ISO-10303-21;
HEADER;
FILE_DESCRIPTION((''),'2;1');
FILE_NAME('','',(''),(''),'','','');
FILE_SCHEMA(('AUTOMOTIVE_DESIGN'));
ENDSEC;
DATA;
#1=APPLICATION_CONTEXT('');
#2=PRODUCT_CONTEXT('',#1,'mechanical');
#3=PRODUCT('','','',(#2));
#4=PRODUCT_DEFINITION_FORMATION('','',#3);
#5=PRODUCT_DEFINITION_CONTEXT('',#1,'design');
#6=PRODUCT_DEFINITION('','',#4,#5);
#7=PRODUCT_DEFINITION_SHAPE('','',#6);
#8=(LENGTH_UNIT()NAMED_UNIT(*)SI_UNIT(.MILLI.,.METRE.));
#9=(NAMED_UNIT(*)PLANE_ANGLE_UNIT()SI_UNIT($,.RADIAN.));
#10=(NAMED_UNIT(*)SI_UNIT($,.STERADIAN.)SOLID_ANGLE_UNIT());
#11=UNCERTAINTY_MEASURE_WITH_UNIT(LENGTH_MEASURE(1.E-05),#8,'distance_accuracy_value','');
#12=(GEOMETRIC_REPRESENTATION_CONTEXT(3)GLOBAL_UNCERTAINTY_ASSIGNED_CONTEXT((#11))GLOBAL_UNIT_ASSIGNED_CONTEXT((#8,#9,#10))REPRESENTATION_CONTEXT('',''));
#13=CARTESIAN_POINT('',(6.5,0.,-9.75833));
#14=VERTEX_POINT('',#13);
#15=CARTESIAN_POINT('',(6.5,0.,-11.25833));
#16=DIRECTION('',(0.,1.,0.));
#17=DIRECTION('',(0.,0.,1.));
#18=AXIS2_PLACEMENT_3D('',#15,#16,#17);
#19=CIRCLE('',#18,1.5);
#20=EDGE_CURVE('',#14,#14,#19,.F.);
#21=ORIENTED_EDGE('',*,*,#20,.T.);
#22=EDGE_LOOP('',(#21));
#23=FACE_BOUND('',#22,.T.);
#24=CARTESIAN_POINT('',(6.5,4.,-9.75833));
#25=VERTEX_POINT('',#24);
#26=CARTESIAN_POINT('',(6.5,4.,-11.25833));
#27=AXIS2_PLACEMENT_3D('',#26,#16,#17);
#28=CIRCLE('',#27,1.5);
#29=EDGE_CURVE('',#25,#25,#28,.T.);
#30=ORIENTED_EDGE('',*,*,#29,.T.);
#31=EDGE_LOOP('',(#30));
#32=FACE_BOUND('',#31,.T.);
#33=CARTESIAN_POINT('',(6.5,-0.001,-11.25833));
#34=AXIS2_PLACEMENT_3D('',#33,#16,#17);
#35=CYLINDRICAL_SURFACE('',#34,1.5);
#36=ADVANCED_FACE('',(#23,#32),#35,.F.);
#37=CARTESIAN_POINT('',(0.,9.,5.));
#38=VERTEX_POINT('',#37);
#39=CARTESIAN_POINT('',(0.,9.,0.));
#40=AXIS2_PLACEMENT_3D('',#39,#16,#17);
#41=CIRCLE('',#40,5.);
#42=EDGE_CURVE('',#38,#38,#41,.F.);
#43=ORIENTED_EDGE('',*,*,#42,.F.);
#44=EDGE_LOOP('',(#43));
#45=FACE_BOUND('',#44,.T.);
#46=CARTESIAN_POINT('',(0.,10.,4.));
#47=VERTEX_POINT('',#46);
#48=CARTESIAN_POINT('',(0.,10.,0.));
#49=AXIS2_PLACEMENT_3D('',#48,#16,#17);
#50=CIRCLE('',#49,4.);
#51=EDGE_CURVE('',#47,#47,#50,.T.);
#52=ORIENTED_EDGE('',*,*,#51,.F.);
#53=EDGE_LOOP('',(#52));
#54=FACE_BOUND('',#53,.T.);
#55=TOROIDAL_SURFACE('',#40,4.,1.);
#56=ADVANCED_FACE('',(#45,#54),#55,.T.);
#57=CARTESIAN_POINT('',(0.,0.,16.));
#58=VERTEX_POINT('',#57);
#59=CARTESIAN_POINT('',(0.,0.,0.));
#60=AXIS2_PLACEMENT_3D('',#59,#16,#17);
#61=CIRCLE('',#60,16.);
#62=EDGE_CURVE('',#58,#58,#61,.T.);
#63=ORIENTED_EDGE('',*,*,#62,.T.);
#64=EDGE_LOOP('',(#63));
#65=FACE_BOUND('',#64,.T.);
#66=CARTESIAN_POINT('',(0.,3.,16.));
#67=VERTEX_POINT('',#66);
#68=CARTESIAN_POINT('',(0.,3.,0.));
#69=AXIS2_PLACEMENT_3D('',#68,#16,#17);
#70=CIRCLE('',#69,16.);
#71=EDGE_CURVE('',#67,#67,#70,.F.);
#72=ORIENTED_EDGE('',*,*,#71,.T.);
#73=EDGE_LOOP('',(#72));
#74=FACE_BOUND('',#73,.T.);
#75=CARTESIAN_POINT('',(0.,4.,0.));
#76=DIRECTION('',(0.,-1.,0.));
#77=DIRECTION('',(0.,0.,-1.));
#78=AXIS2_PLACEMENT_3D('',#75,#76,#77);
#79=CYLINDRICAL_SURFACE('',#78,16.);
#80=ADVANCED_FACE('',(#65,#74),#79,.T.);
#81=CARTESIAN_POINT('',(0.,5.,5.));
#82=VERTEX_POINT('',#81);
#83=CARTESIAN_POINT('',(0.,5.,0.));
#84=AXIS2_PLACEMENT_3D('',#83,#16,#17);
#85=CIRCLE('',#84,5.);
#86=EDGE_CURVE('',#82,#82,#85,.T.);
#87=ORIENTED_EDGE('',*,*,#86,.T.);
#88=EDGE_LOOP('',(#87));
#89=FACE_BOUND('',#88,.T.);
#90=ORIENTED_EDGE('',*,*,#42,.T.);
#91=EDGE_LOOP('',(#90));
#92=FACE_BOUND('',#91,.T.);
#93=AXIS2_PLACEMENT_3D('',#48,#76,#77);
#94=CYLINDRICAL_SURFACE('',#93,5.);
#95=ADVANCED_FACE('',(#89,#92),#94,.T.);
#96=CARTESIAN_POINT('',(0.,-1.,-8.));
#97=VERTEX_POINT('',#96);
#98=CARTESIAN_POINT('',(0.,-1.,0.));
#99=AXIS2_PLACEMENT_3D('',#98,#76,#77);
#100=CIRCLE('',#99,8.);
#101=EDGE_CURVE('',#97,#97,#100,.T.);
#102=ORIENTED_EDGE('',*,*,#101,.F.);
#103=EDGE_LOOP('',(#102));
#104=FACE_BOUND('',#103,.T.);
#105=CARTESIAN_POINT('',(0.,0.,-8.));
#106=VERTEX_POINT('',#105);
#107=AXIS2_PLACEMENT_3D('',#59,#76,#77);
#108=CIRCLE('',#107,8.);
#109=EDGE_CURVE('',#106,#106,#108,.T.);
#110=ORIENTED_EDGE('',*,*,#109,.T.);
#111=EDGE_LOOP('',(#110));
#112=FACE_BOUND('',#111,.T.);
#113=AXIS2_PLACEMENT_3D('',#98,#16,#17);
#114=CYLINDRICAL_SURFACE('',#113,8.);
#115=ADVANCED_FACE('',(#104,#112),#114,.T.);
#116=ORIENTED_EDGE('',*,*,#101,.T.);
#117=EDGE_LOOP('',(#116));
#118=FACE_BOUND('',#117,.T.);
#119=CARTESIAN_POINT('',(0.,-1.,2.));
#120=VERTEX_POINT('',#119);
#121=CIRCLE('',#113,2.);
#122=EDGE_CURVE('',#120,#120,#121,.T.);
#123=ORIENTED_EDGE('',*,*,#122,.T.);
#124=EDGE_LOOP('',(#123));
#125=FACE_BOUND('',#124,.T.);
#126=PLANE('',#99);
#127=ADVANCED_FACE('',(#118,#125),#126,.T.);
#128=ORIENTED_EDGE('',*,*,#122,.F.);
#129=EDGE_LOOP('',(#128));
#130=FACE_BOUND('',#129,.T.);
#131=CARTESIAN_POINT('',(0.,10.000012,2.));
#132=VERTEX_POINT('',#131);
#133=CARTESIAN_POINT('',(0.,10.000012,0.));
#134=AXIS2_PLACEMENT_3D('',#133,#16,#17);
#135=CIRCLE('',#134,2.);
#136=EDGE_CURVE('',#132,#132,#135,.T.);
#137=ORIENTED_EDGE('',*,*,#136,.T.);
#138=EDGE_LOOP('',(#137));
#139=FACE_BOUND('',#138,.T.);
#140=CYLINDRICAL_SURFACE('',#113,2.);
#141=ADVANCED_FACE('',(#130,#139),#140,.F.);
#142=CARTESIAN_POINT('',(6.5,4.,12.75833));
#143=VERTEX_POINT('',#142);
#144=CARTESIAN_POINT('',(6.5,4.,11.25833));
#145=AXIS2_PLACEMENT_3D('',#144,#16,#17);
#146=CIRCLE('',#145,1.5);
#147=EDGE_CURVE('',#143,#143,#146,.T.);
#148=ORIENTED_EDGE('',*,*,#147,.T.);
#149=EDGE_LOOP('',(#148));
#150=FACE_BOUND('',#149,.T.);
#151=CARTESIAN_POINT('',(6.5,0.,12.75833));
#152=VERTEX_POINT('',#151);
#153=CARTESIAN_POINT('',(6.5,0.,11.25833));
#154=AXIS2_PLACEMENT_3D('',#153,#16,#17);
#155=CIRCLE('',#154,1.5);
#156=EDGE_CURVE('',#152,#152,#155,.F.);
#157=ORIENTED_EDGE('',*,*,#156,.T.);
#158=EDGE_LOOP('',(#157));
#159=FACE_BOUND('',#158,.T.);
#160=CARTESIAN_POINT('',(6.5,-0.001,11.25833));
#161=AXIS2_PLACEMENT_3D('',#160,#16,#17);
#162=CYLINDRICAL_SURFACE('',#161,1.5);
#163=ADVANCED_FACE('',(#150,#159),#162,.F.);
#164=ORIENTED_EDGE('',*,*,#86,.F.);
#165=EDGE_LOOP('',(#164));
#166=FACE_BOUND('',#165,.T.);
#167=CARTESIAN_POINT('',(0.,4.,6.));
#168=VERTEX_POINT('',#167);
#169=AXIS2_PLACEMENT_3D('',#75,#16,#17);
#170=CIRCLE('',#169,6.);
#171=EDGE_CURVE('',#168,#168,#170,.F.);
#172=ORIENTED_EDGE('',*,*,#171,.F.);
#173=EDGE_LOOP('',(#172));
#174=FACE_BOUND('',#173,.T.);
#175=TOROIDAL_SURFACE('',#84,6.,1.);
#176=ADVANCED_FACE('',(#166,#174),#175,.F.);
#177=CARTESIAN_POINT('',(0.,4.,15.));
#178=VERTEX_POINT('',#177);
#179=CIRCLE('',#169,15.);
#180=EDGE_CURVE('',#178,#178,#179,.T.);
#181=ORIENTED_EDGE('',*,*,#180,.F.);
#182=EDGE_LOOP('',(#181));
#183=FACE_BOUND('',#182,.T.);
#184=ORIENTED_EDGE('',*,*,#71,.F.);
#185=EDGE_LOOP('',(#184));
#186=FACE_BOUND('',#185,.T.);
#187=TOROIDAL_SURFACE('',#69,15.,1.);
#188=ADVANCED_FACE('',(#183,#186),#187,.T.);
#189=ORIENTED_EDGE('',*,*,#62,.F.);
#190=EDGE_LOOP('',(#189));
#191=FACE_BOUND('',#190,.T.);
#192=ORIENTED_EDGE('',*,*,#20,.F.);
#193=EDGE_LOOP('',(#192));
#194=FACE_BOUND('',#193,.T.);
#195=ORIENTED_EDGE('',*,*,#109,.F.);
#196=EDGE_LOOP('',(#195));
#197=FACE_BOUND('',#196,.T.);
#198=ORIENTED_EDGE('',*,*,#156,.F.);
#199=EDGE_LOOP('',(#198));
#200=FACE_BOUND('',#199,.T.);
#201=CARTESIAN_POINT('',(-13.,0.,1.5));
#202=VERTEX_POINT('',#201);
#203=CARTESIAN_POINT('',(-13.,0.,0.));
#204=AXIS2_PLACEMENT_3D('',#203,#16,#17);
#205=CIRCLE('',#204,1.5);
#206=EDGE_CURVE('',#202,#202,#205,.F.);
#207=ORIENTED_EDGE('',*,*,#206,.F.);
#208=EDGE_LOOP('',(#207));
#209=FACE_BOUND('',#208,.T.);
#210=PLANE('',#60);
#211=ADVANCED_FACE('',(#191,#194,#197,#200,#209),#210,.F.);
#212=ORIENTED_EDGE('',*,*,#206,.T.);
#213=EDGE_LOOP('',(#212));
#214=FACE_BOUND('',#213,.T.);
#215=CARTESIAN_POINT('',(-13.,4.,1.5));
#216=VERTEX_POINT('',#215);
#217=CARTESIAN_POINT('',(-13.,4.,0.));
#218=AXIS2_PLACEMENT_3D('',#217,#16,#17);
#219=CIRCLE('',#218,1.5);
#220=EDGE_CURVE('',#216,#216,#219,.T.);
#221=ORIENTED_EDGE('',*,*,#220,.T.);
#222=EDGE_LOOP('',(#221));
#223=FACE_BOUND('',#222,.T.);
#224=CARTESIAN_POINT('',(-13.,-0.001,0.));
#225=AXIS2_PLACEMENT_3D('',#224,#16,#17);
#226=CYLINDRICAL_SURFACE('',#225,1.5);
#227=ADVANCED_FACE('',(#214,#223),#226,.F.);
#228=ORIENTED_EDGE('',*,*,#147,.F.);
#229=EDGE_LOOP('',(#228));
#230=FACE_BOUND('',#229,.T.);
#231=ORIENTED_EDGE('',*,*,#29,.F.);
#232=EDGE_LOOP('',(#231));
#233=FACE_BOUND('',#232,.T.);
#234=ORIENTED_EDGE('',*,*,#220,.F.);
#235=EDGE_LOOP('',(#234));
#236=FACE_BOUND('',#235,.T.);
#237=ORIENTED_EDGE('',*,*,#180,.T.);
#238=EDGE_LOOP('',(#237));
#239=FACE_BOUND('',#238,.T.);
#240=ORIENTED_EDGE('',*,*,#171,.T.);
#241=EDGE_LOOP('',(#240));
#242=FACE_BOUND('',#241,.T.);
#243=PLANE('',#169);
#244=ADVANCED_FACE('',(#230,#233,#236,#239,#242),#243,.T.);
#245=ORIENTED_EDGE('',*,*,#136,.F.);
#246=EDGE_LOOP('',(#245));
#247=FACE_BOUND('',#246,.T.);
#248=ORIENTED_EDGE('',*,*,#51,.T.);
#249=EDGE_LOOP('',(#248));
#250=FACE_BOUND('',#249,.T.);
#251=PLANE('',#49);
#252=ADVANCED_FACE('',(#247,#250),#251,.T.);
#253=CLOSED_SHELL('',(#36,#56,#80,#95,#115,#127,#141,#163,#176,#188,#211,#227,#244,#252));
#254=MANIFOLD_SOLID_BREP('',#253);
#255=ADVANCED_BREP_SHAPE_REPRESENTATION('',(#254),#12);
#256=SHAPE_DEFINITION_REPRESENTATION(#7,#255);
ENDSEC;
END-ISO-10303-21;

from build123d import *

# Parameters (mm, degrees)
SKETCH1_R               = 16
BOSS_EXTRUDE1_DEPTH     = 4
SKETCH2_R               = 5
BOSS_EXTRUDE2_DEPTH     = 6
CUT_EXTRUDE1_REACH      = 25.409
SKETCH3_R               = 1.5
SKETCH4_R               = 8
BOSS_EXTRUDE3_DEPTH     = 1
FILLET1_R               = 1
CUT_EXTRUDE2_DEPTH      = 26.159491314
CUT_EXTRUDE2_DEPTH_BACK = 26.159491314
SKETCH5_R               = 2


with BuildPart() as part:
    # Sketch1 → Boss-Extrude1 (new body)
    with BuildSketch(Plane(origin=(0, 0, 0), x_dir=(1, 0, 0), z_dir=(0, 1, 0))):
        with Locations(Location((0, 0, 0), (0, 0, 270))):
            Circle(SKETCH1_R)
    extrude(amount=BOSS_EXTRUDE1_DEPTH)

    # Sketch2 → Boss-Extrude2 (add)
    with BuildSketch(Plane(origin=(0, 4, 0), x_dir=(1, 0, 0), z_dir=(0, 1, 0))):
        with Locations(Location((0, 0, 0), (0, 0, 270))):
            Circle(SKETCH2_R)
    extrude(amount=BOSS_EXTRUDE2_DEPTH)

    # Sketch3 → Cut-Extrude1 (cut, up to next)
    with BuildSketch(Plane(origin=(0, 4, 0), x_dir=(1, 0, 0), z_dir=(0, 1, 0)), mode=Mode.PRIVATE) as cut_extrude1_sk1:
        with Locations(Location((-13, 0, 0), (0, 0, 270))):
            Circle(SKETCH3_R)
    cut_extrude1_tool1 = extrude(cut_extrude1_sk1.sketch, amount=-CUT_EXTRUDE1_REACH, mode=Mode.PRIVATE) & part.part
    # Sketch3 → Cut-Extrude1 (cut, up to next)
    with BuildSketch(Plane(origin=(0, 4, 0), x_dir=(1, 0, 0), z_dir=(0, 1, 0)), mode=Mode.PRIVATE) as cut_extrude1_sk2:
        with Locations(Location((6.5, 11.258330249, 0), (0, 0, 270))):
            Circle(SKETCH3_R)
    cut_extrude1_tool2 = extrude(cut_extrude1_sk2.sketch, amount=-CUT_EXTRUDE1_REACH, mode=Mode.PRIVATE) & part.part
    # Sketch3 → Cut-Extrude1 (cut, up to next)
    with BuildSketch(Plane(origin=(0, 4, 0), x_dir=(1, 0, 0), z_dir=(0, 1, 0)), mode=Mode.PRIVATE) as cut_extrude1_sk3:
        with Locations(Location((6.5, -11.258330249, 0), (0, 0, 270))):
            Circle(SKETCH3_R)
    cut_extrude1_tool3 = extrude(cut_extrude1_sk3.sketch, amount=-CUT_EXTRUDE1_REACH, mode=Mode.PRIVATE) & part.part
    add(cut_extrude1_tool1.solids().sort_by_distance((-13, 4, 0))[0], mode=Mode.SUBTRACT)
    add(cut_extrude1_tool2.solids().sort_by_distance((6.5, 4, -11.25833))[0], mode=Mode.SUBTRACT)
    add(cut_extrude1_tool3.solids().sort_by_distance((6.5, 4, 11.25833))[0], mode=Mode.SUBTRACT)

    # Sketch4 → Boss-Extrude3 (add)
    with BuildSketch(Plane.XZ):
        with Locations(Location((0, 0, 0), (0, 0, 270))):
            Circle(SKETCH4_R)
    extrude(amount=BOSS_EXTRUDE3_DEPTH)

    # Fillet1
    fillet1_edges = [part.edges().sort_by_distance(p)[0] for p in [
        (0, 4, -16),
        (0, 4, -5),
        (0, 10, -5),
    ]]
    fillet(fillet1_edges, radius=FILLET1_R)

    # Sketch5 → Cut-Extrude2 (cut, two sides: drawn at the far end of the back side and taken through both)
    with BuildSketch(Plane(origin=(0, 10, 0), x_dir=(1, 0, 0), z_dir=(0, 1, 0)).offset(-CUT_EXTRUDE2_DEPTH_BACK)):
        with Locations(Location((0, 0, 0), (0, 0, 270))):
            Circle(SKETCH5_R)
    extrude(amount=CUT_EXTRUDE2_DEPTH + CUT_EXTRUDE2_DEPTH_BACK, mode=Mode.SUBTRACT)


solid = part.part
